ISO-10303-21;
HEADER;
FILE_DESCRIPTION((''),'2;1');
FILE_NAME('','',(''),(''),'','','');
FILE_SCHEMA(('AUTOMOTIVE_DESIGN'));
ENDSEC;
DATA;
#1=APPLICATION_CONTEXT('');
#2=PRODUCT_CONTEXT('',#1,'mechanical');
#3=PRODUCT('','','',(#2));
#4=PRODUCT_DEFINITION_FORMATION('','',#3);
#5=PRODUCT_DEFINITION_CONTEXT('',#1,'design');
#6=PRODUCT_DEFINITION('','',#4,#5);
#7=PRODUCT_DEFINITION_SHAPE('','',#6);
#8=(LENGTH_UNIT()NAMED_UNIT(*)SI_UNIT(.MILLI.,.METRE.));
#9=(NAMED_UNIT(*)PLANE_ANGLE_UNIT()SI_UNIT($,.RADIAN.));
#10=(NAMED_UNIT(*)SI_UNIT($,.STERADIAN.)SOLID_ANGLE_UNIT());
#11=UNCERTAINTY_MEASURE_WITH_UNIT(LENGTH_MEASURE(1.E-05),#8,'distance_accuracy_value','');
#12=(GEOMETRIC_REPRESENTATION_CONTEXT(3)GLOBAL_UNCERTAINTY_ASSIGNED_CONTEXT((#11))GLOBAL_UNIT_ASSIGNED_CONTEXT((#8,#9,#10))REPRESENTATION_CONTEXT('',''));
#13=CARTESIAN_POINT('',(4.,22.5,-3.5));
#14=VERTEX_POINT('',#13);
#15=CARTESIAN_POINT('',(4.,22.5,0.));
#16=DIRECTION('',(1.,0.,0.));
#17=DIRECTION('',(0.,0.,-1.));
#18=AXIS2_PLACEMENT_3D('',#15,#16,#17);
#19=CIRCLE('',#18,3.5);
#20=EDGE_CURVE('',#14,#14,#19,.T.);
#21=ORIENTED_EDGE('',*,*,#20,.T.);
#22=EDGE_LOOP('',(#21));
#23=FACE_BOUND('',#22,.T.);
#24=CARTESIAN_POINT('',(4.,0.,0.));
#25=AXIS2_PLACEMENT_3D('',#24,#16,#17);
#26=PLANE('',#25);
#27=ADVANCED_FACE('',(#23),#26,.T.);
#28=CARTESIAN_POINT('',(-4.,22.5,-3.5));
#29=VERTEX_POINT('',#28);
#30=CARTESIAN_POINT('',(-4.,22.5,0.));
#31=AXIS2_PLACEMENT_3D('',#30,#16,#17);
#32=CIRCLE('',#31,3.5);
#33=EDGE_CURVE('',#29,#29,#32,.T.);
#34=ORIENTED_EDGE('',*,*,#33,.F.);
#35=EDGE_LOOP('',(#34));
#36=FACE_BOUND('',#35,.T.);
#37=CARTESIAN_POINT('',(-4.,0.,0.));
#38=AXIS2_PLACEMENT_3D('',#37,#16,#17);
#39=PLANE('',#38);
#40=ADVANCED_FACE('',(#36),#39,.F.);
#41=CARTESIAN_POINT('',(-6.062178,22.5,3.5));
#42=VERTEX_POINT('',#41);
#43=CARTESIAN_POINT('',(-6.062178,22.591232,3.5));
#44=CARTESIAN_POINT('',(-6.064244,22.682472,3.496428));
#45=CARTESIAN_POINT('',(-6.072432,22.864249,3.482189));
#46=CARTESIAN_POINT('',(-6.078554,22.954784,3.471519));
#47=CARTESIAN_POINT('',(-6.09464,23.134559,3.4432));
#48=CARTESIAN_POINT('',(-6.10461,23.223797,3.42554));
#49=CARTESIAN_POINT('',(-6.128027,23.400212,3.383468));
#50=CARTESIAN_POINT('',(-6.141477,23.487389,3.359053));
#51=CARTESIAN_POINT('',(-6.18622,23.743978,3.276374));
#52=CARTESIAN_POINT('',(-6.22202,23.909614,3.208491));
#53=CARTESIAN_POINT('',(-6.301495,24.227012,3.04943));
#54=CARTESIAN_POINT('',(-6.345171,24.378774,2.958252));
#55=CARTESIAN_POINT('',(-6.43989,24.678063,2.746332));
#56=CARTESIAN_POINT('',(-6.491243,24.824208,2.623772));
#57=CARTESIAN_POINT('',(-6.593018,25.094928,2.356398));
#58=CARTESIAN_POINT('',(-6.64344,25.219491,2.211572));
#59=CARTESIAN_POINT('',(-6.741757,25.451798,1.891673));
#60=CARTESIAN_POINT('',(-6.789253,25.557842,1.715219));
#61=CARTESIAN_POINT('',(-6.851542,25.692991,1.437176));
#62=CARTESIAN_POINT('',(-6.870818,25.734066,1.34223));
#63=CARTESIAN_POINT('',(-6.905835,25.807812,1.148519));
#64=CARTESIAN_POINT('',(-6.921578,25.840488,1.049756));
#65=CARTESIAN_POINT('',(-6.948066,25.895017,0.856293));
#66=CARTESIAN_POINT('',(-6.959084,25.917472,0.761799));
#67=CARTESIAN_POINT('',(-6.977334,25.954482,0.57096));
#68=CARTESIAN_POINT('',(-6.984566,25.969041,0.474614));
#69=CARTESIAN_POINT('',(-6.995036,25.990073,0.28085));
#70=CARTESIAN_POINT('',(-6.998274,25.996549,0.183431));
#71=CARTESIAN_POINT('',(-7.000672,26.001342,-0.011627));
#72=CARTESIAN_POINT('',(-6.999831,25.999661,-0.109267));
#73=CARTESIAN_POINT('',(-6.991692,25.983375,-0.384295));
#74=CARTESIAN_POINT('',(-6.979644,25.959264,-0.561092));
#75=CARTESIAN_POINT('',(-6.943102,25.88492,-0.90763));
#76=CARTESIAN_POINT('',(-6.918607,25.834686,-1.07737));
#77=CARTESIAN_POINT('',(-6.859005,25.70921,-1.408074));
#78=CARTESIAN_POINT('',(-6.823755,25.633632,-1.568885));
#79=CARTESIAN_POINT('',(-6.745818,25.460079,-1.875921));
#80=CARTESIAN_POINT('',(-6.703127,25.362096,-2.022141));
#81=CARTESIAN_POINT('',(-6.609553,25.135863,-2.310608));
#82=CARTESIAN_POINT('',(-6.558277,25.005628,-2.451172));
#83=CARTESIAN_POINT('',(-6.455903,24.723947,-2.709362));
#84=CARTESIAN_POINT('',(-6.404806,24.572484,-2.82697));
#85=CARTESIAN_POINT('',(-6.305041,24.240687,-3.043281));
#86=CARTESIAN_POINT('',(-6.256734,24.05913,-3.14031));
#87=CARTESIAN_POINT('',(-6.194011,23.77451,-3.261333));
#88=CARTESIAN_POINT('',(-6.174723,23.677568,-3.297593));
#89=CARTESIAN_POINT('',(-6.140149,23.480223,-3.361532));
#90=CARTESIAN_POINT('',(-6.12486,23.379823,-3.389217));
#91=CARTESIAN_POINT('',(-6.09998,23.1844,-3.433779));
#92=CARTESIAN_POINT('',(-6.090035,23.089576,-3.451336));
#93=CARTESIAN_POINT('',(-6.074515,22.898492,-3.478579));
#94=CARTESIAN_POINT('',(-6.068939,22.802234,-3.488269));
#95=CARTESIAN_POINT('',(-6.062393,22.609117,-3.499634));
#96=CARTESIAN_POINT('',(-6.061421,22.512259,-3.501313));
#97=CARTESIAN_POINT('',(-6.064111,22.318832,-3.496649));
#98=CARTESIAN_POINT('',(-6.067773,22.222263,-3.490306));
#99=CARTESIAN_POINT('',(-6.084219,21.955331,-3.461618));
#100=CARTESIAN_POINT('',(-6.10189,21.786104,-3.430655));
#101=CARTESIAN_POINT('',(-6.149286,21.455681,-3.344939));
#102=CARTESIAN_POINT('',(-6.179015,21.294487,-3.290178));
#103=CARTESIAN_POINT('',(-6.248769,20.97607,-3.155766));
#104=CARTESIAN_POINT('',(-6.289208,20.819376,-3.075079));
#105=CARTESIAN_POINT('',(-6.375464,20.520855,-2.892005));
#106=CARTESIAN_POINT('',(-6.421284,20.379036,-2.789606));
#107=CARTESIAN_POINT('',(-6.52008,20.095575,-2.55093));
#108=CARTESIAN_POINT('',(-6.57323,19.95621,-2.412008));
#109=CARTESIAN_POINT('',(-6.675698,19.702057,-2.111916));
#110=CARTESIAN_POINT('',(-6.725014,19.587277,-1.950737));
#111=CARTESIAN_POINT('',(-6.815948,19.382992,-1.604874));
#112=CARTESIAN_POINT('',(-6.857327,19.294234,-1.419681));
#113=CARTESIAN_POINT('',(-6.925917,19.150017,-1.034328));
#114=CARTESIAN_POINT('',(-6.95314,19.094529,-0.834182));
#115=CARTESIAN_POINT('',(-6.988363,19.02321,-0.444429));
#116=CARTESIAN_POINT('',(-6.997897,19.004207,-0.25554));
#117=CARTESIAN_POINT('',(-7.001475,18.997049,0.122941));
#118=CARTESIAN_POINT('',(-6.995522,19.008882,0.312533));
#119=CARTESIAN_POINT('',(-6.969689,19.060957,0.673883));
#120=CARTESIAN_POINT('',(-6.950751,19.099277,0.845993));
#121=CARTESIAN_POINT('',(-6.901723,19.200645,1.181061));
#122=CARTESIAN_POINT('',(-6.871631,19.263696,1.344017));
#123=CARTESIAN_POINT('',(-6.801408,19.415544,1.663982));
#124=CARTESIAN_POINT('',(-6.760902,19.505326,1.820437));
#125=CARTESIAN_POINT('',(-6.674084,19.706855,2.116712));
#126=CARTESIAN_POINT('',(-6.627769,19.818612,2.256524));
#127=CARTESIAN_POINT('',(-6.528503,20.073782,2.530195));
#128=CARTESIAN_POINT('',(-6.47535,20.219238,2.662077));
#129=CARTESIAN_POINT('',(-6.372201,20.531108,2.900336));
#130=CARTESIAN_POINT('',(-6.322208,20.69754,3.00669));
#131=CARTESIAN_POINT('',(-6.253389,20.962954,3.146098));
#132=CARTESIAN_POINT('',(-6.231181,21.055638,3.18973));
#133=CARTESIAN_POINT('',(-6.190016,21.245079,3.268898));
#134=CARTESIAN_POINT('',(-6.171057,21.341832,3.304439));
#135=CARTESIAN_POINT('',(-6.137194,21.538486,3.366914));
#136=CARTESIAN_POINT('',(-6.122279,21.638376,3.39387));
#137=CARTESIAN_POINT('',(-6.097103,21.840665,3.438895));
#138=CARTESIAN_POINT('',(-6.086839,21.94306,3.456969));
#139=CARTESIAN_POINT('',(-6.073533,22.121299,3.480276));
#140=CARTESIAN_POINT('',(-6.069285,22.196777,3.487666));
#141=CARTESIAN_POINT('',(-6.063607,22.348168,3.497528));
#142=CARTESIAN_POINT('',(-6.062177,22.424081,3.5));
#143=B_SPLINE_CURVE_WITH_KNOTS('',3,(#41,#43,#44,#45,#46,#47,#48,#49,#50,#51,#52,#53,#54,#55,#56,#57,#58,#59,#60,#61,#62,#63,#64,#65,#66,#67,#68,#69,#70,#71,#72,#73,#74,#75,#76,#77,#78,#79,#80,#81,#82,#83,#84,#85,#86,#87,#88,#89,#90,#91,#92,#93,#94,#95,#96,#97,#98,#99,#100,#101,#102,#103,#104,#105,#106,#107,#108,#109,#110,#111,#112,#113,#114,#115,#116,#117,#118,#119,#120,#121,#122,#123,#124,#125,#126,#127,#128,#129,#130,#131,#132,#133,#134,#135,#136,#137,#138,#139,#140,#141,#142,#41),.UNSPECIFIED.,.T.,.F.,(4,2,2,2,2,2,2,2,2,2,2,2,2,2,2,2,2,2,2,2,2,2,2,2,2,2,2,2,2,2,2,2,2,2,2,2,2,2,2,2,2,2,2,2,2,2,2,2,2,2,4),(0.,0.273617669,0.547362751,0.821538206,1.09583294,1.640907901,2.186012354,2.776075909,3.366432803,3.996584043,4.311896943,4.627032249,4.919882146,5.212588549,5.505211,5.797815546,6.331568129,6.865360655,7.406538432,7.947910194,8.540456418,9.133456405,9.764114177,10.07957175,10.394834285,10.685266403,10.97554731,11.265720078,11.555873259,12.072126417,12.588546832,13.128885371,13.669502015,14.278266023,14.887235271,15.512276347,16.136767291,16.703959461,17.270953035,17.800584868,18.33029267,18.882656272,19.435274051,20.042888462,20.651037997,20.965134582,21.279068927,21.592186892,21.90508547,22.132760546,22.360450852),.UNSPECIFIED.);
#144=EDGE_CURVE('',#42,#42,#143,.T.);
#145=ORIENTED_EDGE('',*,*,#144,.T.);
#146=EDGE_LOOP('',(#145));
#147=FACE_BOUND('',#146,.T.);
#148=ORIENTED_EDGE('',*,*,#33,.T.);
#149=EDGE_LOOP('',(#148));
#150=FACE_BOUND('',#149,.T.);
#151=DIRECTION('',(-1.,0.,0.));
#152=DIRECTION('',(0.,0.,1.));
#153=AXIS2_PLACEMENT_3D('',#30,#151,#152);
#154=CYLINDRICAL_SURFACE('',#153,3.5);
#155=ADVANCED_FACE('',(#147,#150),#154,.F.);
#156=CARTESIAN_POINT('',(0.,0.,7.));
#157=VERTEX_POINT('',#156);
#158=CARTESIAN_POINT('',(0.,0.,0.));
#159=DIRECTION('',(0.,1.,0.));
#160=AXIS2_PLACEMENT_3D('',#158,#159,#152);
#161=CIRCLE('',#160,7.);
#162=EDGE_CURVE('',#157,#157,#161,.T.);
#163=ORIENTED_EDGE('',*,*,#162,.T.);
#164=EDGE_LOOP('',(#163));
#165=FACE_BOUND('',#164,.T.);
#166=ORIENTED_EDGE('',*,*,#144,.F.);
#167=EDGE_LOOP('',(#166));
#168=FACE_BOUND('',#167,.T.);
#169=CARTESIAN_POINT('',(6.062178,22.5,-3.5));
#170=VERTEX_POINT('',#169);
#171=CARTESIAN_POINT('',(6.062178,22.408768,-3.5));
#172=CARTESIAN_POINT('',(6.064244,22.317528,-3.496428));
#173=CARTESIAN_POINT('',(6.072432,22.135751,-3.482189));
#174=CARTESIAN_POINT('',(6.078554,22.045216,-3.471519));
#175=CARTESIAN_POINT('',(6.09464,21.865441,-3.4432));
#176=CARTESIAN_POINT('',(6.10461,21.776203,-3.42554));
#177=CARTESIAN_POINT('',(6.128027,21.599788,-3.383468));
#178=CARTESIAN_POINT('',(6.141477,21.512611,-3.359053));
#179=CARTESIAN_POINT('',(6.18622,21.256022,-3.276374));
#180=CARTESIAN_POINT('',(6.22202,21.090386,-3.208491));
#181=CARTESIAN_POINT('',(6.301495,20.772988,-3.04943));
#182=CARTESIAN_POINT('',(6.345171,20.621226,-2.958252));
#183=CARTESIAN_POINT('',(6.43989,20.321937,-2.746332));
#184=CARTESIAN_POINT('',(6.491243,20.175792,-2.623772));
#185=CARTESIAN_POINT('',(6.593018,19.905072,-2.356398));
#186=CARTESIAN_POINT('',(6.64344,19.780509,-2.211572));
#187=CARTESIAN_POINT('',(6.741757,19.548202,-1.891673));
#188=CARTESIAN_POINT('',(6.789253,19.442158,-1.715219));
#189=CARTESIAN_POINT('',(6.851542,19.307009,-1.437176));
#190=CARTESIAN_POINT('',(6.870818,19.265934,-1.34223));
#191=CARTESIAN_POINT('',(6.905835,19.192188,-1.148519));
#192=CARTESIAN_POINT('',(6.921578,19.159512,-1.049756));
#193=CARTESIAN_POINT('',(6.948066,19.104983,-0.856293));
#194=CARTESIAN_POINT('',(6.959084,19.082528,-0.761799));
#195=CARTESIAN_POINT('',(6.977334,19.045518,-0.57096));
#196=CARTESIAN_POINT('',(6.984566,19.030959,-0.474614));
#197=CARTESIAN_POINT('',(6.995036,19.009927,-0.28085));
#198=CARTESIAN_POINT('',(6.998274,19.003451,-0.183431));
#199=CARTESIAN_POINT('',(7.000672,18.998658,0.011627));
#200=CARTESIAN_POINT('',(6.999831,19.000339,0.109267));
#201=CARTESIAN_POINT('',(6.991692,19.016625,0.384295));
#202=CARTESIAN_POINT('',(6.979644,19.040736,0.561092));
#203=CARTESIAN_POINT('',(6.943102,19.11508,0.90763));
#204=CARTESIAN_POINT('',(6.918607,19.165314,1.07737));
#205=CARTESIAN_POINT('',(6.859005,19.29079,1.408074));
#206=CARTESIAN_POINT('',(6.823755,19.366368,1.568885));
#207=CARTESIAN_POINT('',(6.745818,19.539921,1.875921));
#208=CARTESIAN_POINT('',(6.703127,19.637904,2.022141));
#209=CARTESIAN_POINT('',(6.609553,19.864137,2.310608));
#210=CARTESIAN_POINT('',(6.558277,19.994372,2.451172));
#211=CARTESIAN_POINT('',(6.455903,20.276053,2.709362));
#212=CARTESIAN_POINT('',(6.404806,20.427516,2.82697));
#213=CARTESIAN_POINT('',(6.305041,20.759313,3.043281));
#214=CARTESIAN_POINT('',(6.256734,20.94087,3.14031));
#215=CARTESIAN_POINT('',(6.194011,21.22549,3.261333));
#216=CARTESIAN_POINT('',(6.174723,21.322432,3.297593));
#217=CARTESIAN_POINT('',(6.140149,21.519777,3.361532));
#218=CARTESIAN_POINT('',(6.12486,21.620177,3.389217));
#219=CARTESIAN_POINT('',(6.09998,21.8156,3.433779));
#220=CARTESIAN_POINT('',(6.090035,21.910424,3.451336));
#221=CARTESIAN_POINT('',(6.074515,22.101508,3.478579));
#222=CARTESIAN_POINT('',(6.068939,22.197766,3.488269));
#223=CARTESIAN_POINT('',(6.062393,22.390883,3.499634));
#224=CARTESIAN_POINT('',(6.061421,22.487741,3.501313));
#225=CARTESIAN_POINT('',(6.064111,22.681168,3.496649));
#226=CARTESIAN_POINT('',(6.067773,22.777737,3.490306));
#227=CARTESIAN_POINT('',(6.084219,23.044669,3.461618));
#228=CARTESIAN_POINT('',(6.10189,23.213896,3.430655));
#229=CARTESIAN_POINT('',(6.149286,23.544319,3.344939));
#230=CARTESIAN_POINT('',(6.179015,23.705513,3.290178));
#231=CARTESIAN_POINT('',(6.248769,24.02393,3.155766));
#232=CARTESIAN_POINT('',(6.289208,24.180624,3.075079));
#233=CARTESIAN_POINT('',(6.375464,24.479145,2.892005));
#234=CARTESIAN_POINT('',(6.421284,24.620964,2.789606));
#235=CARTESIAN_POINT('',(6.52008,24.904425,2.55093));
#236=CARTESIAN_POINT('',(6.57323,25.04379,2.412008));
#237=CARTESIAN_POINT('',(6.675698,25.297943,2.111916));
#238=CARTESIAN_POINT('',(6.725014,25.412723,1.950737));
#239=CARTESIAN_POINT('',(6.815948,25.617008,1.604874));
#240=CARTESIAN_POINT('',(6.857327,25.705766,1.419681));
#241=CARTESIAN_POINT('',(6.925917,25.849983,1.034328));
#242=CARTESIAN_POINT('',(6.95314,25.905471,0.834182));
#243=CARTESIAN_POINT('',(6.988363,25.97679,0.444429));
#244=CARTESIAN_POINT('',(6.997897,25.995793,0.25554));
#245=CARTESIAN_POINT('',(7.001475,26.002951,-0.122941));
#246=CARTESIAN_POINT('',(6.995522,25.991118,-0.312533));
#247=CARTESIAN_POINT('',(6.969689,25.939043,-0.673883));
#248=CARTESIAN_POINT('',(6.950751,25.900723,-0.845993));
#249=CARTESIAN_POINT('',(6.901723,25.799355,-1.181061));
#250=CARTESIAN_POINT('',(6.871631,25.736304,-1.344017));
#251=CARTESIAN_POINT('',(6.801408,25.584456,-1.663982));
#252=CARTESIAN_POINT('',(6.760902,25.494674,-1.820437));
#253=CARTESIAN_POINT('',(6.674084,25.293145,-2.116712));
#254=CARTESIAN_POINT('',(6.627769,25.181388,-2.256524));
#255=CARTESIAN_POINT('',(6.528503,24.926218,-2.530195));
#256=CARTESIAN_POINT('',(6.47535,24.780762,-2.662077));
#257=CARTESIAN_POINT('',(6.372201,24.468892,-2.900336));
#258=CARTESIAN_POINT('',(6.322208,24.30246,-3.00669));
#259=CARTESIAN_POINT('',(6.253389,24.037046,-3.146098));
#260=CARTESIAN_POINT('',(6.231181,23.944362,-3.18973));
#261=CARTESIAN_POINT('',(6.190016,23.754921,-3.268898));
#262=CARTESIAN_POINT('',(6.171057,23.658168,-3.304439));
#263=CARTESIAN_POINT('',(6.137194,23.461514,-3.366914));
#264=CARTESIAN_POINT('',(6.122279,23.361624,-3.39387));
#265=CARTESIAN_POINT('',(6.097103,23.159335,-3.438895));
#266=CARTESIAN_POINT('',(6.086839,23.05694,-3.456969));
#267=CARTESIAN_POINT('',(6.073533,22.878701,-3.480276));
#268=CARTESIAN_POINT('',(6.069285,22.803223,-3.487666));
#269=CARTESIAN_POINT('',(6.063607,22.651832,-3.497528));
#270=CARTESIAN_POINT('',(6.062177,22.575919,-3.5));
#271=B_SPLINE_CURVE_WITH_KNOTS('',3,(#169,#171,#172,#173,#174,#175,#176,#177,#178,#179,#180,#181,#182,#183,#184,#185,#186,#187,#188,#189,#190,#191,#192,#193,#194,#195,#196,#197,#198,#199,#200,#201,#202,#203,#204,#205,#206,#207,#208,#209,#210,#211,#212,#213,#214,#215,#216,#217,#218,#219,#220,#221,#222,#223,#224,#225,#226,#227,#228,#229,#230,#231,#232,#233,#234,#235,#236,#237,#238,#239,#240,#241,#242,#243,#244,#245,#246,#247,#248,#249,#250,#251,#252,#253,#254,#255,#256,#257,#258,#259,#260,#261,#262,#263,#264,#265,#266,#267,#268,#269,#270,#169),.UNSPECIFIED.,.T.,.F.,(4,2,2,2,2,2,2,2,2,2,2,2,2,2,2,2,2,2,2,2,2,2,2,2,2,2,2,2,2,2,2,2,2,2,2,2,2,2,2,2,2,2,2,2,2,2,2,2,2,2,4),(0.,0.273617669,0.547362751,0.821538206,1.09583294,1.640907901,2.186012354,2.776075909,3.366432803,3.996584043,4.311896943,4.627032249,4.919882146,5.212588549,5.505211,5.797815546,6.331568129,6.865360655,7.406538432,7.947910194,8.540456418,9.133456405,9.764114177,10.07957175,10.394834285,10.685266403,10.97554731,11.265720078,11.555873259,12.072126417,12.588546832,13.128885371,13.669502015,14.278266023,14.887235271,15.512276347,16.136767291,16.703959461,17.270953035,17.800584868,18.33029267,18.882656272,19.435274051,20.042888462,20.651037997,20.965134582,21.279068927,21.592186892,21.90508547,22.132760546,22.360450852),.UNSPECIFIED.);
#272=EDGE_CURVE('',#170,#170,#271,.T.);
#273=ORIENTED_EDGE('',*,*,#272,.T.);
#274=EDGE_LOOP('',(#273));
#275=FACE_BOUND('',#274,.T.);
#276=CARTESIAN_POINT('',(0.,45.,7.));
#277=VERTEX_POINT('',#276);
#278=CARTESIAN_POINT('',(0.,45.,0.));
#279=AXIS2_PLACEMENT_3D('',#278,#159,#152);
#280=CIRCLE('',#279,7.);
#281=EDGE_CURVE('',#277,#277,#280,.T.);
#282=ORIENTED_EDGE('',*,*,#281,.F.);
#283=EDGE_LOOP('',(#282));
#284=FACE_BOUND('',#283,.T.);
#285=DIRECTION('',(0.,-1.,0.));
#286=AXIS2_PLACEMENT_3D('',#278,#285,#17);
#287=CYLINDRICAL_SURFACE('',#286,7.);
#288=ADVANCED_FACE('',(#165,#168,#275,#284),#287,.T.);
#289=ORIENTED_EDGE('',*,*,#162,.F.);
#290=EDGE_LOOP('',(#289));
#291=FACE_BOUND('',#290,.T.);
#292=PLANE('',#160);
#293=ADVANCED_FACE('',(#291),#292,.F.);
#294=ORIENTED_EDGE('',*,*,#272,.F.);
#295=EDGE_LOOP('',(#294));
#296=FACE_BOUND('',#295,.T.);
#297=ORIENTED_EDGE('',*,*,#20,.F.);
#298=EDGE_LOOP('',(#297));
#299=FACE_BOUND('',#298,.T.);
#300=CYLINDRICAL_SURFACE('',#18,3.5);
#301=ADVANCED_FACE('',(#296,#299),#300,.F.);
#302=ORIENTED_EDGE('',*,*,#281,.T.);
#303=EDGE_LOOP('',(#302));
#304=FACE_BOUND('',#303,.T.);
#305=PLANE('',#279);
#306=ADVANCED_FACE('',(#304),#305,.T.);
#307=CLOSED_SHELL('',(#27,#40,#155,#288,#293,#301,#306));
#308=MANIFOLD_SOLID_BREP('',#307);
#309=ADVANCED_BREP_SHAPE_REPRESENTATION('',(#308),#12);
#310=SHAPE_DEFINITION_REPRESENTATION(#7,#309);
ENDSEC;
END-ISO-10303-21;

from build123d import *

# Parameters (mm, degrees)
SKETCH_1_R          = 7
EXTRUDE_1_DEPTH     = 45
CUT_EXTRUDE_1_DEPTH = 11
CUT_EXTRUDE_START   = 11
CUT_EXTRUDE_2_DEPTH = 11


with BuildPart() as part:
    # 草图1 → 凸台-拉伸1 (new body)
    with BuildSketch(Plane(origin=(0, 0, 0), x_dir=(1, 0, 0), z_dir=(0, 1, 0))):
        with Locations(Location((0, 0, 0), (0, 0, 90))):
            Circle(SKETCH_1_R)
    extrude(amount=EXTRUDE_1_DEPTH)

    # 草图4 → 切除-拉伸1 (cut)
    with BuildSketch(Plane(origin=(15, 0, 0), x_dir=(0, 0, -1), z_dir=(1, 0, 0))):
        with BuildLine():
            ThreePointArc((3.5, 22.5), (0, 26), (-3.5, 22.5))
            Line((-3.5, 22.5), (3.5, 22.5))
        make_face()
        with BuildLine():
            Line((3.5, 22.5), (-3.5, 22.5))
            ThreePointArc((-3.5, 22.5), (0, 19), (3.5, 22.5))
        make_face()
    extrude(amount=-CUT_EXTRUDE_1_DEPTH, mode=Mode.SUBTRACT)

    # 草图5 → 切除-拉伸2 (cut)
    with BuildSketch(Plane(origin=(-15, 0, 0), x_dir=(0, 0, -1), z_dir=(1, 0, 0)).offset(CUT_EXTRUDE_START)):
        with BuildLine():
            ThreePointArc((-3.5, 22.5), (0, 19), (3.5, 22.5))
            Line((3.5, 22.5), (-3.5, 22.5))
        make_face()
        with BuildLine():
            Line((-3.5, 22.5), (3.5, 22.5))
            ThreePointArc((3.5, 22.5), (0, 26), (-3.5, 22.5))
        make_face()
    extrude(amount=-CUT_EXTRUDE_2_DEPTH, mode=Mode.SUBTRACT)


solid = part.part
